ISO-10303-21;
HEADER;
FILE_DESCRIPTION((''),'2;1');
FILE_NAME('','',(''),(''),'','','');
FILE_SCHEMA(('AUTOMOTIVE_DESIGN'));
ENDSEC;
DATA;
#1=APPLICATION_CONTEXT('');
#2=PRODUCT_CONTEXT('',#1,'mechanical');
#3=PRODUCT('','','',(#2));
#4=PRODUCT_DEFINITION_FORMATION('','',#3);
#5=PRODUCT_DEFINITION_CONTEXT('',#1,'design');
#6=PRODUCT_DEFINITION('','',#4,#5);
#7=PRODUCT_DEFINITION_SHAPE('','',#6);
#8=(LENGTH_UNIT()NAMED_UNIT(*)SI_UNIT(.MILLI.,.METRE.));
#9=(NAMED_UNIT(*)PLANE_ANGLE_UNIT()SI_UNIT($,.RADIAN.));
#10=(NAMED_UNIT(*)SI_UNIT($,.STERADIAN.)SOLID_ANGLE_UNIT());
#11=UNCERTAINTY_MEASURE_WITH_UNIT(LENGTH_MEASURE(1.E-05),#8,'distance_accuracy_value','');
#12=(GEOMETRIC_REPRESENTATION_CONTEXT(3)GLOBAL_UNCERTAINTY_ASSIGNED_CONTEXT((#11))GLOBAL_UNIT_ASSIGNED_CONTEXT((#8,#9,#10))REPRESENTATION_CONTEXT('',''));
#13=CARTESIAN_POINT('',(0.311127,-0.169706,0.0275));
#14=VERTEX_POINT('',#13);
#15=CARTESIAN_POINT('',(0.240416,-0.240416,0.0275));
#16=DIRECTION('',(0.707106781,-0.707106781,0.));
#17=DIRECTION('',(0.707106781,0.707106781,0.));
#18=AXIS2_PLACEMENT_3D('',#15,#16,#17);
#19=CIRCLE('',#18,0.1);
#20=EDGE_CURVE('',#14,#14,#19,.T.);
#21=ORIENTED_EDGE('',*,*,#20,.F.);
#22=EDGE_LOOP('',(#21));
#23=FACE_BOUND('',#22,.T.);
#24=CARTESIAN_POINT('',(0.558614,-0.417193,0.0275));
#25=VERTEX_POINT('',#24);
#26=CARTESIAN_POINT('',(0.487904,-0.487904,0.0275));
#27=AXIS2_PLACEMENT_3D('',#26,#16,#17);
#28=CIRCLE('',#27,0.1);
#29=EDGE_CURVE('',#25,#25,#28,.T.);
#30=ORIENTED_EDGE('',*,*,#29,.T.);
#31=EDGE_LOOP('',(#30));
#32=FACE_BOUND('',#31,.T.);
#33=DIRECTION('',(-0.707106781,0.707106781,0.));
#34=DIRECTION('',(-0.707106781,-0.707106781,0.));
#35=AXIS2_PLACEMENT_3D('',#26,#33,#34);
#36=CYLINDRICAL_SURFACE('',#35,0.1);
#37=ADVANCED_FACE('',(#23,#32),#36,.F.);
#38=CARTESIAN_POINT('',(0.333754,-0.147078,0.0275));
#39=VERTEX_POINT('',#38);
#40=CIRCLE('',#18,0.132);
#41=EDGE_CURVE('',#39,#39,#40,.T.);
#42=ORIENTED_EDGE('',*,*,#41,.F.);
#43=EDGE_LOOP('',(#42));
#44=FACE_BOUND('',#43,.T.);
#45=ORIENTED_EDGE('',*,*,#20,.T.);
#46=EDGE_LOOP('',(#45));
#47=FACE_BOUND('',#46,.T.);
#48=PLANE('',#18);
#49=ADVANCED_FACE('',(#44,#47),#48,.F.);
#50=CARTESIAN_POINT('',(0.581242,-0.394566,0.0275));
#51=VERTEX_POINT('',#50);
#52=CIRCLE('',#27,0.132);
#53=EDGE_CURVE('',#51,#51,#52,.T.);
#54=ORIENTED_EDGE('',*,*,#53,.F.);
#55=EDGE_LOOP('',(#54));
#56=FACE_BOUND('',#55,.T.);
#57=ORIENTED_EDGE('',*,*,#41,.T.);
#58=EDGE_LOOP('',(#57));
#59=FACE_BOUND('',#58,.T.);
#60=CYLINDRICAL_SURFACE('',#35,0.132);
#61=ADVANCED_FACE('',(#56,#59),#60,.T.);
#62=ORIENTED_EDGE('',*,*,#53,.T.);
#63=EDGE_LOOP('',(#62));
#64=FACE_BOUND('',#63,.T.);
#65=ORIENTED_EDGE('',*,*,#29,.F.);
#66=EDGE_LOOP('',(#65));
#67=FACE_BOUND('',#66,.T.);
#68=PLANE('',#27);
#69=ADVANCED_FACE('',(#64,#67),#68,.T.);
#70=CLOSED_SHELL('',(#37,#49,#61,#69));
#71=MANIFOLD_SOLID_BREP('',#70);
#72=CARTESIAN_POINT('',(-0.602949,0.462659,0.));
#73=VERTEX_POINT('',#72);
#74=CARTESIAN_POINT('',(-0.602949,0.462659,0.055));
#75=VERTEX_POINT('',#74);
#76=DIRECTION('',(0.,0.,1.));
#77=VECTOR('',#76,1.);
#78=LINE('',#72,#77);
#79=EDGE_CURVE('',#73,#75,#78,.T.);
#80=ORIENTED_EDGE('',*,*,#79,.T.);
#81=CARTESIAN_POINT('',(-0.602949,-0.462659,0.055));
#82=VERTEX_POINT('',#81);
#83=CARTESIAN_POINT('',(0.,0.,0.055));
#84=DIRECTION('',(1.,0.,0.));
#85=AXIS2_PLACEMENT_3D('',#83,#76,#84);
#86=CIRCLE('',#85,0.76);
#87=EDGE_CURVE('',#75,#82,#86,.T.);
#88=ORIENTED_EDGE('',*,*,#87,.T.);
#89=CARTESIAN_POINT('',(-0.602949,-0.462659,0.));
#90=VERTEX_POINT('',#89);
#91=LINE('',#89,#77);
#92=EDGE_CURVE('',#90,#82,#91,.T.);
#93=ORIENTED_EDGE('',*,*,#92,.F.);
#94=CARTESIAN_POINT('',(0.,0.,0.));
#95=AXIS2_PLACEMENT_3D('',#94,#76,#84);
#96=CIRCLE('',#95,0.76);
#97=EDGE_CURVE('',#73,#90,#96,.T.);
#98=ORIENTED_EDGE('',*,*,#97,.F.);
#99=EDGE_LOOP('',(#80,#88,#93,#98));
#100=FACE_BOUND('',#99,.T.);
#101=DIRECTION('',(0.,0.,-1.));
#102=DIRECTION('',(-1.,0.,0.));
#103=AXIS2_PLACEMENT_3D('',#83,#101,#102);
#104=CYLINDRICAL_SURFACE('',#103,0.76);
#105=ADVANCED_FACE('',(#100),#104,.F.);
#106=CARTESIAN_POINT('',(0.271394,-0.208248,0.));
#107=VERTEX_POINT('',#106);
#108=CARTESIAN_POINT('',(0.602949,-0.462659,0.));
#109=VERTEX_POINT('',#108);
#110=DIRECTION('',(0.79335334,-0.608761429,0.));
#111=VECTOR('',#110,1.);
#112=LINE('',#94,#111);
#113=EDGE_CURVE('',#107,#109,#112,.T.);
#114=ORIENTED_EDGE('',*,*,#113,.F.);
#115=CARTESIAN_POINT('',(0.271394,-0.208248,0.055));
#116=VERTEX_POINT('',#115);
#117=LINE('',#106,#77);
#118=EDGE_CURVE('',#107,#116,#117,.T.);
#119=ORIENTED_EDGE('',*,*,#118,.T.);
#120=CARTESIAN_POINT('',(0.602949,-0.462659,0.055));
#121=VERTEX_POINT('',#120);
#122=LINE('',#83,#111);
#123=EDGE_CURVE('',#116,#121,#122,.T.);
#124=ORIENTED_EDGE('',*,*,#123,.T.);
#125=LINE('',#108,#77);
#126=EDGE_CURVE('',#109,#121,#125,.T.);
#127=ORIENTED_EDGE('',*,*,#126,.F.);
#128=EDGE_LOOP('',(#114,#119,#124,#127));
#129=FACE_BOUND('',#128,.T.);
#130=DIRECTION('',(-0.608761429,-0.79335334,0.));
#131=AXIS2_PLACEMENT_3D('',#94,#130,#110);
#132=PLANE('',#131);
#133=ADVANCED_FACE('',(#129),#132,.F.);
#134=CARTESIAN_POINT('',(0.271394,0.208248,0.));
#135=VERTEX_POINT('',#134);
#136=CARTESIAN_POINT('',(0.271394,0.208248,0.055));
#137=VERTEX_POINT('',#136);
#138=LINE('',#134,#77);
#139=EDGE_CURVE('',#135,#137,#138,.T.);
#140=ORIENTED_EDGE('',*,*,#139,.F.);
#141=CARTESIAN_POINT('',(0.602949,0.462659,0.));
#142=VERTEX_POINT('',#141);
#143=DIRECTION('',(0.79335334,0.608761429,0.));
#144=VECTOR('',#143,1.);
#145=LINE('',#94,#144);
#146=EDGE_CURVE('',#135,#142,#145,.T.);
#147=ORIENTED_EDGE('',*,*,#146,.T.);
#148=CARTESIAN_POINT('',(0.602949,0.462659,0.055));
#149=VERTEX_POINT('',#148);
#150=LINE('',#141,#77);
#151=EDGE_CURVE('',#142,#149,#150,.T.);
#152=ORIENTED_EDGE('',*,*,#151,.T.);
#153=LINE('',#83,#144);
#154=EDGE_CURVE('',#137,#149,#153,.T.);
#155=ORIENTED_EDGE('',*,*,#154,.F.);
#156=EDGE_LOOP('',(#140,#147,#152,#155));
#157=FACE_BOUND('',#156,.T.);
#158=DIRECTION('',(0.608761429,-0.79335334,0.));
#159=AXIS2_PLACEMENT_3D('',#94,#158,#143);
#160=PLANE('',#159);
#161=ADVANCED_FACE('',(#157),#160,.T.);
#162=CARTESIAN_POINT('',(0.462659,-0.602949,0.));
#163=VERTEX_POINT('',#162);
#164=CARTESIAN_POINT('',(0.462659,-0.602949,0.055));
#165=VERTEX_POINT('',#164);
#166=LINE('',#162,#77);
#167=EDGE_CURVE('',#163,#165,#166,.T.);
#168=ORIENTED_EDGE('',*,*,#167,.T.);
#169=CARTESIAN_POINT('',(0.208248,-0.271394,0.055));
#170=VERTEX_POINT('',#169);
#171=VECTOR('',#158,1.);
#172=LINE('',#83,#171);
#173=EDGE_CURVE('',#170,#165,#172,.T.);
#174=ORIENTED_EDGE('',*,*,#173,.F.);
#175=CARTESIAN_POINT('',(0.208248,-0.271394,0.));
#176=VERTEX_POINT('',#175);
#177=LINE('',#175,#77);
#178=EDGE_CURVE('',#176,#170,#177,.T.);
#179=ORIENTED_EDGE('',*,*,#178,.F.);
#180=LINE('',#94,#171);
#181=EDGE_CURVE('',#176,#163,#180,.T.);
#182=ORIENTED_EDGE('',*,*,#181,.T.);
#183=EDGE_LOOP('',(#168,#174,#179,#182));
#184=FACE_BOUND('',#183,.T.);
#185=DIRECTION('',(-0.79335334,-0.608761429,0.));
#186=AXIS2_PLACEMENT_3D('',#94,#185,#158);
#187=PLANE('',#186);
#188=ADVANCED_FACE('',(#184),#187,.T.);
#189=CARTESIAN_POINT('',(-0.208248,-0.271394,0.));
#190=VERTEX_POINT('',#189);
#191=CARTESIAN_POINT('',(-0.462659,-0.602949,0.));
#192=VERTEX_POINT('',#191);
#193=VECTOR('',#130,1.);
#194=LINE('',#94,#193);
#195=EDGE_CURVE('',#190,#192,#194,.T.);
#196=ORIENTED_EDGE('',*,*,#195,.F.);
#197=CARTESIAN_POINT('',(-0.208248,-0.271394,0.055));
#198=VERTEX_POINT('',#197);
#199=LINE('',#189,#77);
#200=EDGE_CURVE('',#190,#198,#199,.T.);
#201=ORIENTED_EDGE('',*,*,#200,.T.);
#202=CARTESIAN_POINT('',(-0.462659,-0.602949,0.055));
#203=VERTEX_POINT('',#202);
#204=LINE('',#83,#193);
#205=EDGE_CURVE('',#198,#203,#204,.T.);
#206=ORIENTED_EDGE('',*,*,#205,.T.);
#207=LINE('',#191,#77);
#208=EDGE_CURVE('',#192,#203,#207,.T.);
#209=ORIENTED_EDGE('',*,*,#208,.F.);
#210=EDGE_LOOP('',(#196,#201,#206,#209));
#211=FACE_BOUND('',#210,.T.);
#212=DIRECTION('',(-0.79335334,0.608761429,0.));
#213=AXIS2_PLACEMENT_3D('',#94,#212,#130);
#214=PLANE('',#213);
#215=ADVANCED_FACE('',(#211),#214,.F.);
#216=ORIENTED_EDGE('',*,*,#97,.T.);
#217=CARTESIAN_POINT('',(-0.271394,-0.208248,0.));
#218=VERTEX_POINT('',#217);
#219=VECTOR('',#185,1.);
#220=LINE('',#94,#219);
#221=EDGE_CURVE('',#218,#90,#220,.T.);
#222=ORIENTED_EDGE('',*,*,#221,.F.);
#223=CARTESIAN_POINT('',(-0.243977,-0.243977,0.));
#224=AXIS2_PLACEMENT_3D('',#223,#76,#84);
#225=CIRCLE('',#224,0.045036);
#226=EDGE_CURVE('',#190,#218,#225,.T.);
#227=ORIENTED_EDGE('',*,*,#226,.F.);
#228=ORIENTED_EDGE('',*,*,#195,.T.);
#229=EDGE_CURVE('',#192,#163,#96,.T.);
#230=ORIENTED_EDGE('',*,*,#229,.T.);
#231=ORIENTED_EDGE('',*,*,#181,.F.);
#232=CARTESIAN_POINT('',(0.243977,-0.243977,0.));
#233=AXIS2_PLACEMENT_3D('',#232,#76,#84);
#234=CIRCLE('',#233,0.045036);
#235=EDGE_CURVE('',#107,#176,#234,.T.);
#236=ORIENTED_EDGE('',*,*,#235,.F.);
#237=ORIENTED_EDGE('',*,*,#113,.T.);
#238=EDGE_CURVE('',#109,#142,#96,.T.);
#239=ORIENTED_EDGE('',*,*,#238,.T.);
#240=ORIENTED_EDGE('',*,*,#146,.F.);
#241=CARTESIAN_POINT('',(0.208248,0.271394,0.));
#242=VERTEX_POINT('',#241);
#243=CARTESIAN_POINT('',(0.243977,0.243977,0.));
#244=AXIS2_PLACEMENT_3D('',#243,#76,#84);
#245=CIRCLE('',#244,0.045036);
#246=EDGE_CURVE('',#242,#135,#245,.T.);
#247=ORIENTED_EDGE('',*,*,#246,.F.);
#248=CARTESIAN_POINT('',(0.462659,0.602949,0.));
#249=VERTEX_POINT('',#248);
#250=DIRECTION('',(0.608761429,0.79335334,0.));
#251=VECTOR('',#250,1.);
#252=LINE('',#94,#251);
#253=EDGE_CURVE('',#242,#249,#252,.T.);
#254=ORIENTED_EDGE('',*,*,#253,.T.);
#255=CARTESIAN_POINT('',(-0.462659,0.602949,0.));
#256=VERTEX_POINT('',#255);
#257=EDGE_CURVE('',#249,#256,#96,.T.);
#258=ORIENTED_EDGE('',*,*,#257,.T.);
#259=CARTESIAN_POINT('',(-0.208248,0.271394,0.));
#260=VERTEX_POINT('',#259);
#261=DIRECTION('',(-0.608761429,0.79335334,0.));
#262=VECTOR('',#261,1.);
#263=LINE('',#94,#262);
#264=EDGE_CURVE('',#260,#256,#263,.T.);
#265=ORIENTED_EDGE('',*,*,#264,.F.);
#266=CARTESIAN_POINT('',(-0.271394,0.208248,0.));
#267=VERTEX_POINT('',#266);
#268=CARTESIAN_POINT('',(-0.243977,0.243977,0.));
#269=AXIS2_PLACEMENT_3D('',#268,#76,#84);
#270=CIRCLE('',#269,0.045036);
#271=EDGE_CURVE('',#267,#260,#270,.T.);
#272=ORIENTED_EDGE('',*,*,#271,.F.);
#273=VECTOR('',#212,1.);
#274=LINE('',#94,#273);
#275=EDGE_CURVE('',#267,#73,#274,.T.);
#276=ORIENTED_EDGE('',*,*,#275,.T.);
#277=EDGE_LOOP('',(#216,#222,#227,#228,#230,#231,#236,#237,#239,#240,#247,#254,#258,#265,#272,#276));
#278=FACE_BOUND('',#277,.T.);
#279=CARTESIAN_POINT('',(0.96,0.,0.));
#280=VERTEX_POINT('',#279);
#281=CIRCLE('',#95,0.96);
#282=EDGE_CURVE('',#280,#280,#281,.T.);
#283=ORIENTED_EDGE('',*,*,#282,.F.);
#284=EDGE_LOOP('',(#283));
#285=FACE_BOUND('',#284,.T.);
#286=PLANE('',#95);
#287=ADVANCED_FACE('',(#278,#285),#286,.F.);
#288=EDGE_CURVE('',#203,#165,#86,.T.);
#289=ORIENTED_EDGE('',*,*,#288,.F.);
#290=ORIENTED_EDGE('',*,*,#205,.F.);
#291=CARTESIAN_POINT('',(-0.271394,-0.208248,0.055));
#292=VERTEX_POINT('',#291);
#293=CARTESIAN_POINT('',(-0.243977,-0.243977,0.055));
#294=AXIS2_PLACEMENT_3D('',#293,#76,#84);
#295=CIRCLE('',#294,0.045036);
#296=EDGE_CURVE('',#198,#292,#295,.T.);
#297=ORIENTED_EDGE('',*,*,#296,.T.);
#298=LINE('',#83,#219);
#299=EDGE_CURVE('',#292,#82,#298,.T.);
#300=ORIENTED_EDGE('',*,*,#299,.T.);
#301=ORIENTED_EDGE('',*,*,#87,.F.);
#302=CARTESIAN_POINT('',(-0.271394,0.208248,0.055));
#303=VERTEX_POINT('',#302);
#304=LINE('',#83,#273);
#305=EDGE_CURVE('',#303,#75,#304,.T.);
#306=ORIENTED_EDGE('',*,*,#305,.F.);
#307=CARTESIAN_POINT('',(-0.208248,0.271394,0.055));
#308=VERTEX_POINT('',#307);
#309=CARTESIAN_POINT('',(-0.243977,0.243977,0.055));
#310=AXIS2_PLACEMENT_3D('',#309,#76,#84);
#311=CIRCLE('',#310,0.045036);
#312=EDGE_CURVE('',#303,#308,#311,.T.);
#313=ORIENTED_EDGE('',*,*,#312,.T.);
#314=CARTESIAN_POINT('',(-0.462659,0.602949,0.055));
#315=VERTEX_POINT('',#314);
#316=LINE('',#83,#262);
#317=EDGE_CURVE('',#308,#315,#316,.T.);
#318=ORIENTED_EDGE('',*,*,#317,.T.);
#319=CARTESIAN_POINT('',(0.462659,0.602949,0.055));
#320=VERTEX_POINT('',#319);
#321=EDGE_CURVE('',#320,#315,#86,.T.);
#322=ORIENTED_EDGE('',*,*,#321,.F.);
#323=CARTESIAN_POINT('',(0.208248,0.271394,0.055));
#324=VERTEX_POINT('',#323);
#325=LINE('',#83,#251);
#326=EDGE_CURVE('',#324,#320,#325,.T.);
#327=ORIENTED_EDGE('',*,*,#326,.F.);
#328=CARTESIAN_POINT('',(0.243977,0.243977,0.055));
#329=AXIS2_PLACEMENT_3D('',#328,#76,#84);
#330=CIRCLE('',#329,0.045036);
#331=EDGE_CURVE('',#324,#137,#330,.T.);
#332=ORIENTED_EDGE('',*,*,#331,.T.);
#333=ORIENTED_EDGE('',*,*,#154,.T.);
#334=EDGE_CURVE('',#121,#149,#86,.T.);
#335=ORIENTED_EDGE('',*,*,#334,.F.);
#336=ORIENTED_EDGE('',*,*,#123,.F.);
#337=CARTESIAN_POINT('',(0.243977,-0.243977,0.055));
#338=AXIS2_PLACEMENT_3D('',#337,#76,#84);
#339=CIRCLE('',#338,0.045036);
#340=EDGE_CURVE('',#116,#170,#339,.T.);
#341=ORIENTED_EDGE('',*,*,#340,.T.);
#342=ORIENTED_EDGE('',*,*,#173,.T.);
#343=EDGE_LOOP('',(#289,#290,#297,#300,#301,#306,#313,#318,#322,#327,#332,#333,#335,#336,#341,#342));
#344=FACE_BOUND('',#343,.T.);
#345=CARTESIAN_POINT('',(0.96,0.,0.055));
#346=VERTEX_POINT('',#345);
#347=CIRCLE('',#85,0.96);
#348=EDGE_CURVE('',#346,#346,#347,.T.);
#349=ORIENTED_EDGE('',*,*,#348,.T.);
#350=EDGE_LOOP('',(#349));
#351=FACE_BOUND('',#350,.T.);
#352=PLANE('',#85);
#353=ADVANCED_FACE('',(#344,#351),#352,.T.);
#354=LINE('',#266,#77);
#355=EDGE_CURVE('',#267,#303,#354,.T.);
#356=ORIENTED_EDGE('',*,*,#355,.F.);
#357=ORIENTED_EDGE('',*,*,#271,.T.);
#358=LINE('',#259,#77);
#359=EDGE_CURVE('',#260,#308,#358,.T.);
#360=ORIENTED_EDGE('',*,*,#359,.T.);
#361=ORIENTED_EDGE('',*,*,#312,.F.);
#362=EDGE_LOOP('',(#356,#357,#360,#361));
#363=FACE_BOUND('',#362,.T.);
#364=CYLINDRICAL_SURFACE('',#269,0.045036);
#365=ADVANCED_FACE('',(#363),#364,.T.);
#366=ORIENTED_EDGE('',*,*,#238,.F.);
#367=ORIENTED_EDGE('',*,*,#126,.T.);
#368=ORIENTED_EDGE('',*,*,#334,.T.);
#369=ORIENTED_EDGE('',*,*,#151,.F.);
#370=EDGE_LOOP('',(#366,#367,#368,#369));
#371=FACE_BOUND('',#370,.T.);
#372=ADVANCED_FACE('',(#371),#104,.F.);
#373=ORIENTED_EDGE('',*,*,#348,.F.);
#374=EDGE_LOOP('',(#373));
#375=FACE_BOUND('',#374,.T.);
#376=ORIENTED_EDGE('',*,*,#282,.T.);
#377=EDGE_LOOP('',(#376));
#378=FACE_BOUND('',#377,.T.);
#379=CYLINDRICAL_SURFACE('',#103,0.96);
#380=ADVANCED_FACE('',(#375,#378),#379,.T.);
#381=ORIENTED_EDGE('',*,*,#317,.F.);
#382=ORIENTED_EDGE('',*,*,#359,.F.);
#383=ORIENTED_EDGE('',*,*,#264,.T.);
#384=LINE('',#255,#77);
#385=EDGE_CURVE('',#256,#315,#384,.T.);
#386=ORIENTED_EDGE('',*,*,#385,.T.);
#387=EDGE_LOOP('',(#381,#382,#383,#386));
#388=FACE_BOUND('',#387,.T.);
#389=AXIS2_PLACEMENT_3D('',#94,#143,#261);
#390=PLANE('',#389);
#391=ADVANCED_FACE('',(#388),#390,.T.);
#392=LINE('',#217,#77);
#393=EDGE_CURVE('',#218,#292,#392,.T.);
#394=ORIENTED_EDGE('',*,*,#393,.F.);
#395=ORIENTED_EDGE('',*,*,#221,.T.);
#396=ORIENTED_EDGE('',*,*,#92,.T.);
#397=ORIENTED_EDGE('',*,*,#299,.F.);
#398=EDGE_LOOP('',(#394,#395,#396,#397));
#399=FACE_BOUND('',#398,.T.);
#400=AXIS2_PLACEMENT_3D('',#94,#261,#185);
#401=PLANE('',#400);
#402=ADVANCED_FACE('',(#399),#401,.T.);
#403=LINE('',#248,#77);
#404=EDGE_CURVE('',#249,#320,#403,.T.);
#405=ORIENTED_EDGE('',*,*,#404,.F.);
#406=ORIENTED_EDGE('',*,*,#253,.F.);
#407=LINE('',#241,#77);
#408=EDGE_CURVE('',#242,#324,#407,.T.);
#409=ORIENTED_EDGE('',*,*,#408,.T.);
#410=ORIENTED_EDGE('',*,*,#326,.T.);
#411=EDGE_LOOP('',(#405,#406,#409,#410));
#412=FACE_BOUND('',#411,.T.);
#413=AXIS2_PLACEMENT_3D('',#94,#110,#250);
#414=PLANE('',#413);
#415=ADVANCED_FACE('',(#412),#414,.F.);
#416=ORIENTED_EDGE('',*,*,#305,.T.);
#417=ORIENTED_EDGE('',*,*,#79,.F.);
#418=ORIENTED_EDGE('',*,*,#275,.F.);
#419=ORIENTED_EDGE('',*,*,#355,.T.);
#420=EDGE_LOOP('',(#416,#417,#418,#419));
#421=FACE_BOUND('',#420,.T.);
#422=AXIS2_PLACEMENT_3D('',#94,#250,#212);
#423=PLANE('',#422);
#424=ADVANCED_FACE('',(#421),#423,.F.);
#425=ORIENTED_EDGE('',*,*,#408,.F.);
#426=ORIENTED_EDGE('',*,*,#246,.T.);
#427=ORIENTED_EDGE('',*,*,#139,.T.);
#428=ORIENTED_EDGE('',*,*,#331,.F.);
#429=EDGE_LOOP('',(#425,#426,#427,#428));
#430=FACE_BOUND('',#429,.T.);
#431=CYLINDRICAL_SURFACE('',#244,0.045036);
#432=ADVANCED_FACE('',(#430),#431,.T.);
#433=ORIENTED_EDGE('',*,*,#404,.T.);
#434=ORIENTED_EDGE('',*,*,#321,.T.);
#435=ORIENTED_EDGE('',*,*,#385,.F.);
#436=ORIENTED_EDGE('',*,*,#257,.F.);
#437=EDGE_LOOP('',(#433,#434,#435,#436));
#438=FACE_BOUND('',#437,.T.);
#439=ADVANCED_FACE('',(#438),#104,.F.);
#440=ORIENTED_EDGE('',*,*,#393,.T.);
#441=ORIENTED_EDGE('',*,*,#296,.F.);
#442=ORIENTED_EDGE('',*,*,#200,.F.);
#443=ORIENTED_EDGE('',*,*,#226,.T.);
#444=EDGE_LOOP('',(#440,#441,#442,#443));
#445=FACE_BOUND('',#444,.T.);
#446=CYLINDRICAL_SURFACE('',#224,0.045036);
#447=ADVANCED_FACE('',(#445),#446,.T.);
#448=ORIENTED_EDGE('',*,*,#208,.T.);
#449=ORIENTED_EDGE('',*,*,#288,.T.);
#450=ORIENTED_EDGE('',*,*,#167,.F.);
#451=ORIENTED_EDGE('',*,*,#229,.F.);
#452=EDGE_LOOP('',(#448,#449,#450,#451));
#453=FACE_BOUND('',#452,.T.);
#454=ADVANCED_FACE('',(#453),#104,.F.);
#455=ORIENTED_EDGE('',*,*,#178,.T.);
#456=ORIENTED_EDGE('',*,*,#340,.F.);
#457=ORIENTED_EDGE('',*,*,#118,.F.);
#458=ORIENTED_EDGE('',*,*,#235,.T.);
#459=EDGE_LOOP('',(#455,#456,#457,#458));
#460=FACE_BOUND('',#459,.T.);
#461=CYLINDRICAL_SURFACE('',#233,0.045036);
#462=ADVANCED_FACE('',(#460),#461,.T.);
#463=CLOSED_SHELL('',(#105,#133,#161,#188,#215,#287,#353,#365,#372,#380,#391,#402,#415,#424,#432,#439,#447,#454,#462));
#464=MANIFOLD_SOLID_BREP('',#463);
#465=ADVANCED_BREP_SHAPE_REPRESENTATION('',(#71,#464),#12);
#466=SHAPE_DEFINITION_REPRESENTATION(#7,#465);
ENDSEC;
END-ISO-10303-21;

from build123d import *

# Parameters (mm, degrees)
SKETCH_1_R      = 0.96
SKETCH_1_R_2    = 0.76
EXTRUDE_1_DEPTH = 0.055
EXTRUDE_START   = -0.055
EXTRUDE_2_DEPTH = 0.055
SKETCH_66_R     = 0.132
SKETCH_66_R_2   = 0.1
EXTRUDE_3_DEPTH = 0.35


with BuildPart() as part:
    # 草圖1 → 填料-伸長1 (new body)
    with BuildSketch(Plane.XY):
        Circle(SKETCH_1_R)
        Circle(SKETCH_1_R_2, mode=Mode.SUBTRACT)
    extrude(amount=EXTRUDE_1_DEPTH)

    # 草圖2 → 填料-伸長2 (add)
    with BuildSketch(Plane.XY.offset(0.055).offset(EXTRUDE_START)):
        with BuildLine():
            Line((-0.208247811, 0.271393831), (-0.462658686, 0.602948539))
            ThreePointArc((-0.462658686, 0.602948539), (-0.537401154, 0.537401154), (-0.602948539, 0.462658686))
            Line((-0.602948539, 0.462658686), (-0.271393831, 0.208247811))
            ThreePointArc((-0.271393831, 0.208247811), (-0.241031974, 0.199037642), (-0.212132034, 0.212132034))
            ThreePointArc((-0.212132034, 0.212132034), (-0.199037642, 0.241031974), (-0.208247811, 0.271393831))
        make_face()
        with BuildLine():
            ThreePointArc((0.208247811, 0.271393831), (0.199037642, 0.241031974), (0.212132034, 0.212132034))
            ThreePointArc((0.212132034, 0.212132034), (0.241031974, 0.199037642), (0.271393831, 0.208247811))
            Line((0.271393831, 0.208247811), (0.602948539, 0.462658686))
            ThreePointArc((0.602948539, 0.462658686), (0.537401154, 0.537401154), (0.462658686, 0.602948539))
            Line((0.462658686, 0.602948539), (0.208247811, 0.271393831))
        make_face()
        with BuildLine():
            ThreePointArc((0.271393831, -0.208247811), (0.241031974, -0.199037642), (0.212132034, -0.212132034))
            ThreePointArc((0.212132034, -0.212132034), (0.199037642, -0.241031974), (0.208247811, -0.271393831))
            Line((0.208247811, -0.271393831), (0.462658686, -0.602948539))
            ThreePointArc((0.462658686, -0.602948539), (0.537401154, -0.537401154), (0.602948539, -0.462658686))
            Line((0.602948539, -0.462658686), (0.271393831, -0.208247811))
        make_face()
        with BuildLine():
            ThreePointArc((-0.208247811, -0.271393831), (-0.199037642, -0.241031974), (-0.212132034, -0.212132034))
            ThreePointArc((-0.212132034, -0.212132034), (-0.241031974, -0.199037642), (-0.271393831, -0.208247811))
            Line((-0.271393831, -0.208247811), (-0.602948539, -0.462658686))
            ThreePointArc((-0.602948539, -0.462658686), (-0.537401154, -0.537401154), (-0.462658686, -0.602948539))
            Line((-0.462658686, -0.602948539), (-0.208247811, -0.271393831))
        make_face()
    extrude(amount=EXTRUDE_2_DEPTH)


with BuildPart() as body_2:
    # 草圖66 → 填料-伸長3 (new body)
    with BuildSketch(Plane(origin=(0.240416306, -0.240416306, 0), x_dir=(0.7071067811865477, 0.7071067811865475, 0), z_dir=(0.7071067811865475, -0.7071067811865477, 0))):
        with Locations((0, 0.0275)):
            Circle(SKETCH_66_R)
        with Locations((0, 0.0275)):
            Circle(SKETCH_66_R_2, mode=Mode.SUBTRACT)
    extrude(amount=EXTRUDE_3_DEPTH)


solid = Compound([part.part, body_2.part])
